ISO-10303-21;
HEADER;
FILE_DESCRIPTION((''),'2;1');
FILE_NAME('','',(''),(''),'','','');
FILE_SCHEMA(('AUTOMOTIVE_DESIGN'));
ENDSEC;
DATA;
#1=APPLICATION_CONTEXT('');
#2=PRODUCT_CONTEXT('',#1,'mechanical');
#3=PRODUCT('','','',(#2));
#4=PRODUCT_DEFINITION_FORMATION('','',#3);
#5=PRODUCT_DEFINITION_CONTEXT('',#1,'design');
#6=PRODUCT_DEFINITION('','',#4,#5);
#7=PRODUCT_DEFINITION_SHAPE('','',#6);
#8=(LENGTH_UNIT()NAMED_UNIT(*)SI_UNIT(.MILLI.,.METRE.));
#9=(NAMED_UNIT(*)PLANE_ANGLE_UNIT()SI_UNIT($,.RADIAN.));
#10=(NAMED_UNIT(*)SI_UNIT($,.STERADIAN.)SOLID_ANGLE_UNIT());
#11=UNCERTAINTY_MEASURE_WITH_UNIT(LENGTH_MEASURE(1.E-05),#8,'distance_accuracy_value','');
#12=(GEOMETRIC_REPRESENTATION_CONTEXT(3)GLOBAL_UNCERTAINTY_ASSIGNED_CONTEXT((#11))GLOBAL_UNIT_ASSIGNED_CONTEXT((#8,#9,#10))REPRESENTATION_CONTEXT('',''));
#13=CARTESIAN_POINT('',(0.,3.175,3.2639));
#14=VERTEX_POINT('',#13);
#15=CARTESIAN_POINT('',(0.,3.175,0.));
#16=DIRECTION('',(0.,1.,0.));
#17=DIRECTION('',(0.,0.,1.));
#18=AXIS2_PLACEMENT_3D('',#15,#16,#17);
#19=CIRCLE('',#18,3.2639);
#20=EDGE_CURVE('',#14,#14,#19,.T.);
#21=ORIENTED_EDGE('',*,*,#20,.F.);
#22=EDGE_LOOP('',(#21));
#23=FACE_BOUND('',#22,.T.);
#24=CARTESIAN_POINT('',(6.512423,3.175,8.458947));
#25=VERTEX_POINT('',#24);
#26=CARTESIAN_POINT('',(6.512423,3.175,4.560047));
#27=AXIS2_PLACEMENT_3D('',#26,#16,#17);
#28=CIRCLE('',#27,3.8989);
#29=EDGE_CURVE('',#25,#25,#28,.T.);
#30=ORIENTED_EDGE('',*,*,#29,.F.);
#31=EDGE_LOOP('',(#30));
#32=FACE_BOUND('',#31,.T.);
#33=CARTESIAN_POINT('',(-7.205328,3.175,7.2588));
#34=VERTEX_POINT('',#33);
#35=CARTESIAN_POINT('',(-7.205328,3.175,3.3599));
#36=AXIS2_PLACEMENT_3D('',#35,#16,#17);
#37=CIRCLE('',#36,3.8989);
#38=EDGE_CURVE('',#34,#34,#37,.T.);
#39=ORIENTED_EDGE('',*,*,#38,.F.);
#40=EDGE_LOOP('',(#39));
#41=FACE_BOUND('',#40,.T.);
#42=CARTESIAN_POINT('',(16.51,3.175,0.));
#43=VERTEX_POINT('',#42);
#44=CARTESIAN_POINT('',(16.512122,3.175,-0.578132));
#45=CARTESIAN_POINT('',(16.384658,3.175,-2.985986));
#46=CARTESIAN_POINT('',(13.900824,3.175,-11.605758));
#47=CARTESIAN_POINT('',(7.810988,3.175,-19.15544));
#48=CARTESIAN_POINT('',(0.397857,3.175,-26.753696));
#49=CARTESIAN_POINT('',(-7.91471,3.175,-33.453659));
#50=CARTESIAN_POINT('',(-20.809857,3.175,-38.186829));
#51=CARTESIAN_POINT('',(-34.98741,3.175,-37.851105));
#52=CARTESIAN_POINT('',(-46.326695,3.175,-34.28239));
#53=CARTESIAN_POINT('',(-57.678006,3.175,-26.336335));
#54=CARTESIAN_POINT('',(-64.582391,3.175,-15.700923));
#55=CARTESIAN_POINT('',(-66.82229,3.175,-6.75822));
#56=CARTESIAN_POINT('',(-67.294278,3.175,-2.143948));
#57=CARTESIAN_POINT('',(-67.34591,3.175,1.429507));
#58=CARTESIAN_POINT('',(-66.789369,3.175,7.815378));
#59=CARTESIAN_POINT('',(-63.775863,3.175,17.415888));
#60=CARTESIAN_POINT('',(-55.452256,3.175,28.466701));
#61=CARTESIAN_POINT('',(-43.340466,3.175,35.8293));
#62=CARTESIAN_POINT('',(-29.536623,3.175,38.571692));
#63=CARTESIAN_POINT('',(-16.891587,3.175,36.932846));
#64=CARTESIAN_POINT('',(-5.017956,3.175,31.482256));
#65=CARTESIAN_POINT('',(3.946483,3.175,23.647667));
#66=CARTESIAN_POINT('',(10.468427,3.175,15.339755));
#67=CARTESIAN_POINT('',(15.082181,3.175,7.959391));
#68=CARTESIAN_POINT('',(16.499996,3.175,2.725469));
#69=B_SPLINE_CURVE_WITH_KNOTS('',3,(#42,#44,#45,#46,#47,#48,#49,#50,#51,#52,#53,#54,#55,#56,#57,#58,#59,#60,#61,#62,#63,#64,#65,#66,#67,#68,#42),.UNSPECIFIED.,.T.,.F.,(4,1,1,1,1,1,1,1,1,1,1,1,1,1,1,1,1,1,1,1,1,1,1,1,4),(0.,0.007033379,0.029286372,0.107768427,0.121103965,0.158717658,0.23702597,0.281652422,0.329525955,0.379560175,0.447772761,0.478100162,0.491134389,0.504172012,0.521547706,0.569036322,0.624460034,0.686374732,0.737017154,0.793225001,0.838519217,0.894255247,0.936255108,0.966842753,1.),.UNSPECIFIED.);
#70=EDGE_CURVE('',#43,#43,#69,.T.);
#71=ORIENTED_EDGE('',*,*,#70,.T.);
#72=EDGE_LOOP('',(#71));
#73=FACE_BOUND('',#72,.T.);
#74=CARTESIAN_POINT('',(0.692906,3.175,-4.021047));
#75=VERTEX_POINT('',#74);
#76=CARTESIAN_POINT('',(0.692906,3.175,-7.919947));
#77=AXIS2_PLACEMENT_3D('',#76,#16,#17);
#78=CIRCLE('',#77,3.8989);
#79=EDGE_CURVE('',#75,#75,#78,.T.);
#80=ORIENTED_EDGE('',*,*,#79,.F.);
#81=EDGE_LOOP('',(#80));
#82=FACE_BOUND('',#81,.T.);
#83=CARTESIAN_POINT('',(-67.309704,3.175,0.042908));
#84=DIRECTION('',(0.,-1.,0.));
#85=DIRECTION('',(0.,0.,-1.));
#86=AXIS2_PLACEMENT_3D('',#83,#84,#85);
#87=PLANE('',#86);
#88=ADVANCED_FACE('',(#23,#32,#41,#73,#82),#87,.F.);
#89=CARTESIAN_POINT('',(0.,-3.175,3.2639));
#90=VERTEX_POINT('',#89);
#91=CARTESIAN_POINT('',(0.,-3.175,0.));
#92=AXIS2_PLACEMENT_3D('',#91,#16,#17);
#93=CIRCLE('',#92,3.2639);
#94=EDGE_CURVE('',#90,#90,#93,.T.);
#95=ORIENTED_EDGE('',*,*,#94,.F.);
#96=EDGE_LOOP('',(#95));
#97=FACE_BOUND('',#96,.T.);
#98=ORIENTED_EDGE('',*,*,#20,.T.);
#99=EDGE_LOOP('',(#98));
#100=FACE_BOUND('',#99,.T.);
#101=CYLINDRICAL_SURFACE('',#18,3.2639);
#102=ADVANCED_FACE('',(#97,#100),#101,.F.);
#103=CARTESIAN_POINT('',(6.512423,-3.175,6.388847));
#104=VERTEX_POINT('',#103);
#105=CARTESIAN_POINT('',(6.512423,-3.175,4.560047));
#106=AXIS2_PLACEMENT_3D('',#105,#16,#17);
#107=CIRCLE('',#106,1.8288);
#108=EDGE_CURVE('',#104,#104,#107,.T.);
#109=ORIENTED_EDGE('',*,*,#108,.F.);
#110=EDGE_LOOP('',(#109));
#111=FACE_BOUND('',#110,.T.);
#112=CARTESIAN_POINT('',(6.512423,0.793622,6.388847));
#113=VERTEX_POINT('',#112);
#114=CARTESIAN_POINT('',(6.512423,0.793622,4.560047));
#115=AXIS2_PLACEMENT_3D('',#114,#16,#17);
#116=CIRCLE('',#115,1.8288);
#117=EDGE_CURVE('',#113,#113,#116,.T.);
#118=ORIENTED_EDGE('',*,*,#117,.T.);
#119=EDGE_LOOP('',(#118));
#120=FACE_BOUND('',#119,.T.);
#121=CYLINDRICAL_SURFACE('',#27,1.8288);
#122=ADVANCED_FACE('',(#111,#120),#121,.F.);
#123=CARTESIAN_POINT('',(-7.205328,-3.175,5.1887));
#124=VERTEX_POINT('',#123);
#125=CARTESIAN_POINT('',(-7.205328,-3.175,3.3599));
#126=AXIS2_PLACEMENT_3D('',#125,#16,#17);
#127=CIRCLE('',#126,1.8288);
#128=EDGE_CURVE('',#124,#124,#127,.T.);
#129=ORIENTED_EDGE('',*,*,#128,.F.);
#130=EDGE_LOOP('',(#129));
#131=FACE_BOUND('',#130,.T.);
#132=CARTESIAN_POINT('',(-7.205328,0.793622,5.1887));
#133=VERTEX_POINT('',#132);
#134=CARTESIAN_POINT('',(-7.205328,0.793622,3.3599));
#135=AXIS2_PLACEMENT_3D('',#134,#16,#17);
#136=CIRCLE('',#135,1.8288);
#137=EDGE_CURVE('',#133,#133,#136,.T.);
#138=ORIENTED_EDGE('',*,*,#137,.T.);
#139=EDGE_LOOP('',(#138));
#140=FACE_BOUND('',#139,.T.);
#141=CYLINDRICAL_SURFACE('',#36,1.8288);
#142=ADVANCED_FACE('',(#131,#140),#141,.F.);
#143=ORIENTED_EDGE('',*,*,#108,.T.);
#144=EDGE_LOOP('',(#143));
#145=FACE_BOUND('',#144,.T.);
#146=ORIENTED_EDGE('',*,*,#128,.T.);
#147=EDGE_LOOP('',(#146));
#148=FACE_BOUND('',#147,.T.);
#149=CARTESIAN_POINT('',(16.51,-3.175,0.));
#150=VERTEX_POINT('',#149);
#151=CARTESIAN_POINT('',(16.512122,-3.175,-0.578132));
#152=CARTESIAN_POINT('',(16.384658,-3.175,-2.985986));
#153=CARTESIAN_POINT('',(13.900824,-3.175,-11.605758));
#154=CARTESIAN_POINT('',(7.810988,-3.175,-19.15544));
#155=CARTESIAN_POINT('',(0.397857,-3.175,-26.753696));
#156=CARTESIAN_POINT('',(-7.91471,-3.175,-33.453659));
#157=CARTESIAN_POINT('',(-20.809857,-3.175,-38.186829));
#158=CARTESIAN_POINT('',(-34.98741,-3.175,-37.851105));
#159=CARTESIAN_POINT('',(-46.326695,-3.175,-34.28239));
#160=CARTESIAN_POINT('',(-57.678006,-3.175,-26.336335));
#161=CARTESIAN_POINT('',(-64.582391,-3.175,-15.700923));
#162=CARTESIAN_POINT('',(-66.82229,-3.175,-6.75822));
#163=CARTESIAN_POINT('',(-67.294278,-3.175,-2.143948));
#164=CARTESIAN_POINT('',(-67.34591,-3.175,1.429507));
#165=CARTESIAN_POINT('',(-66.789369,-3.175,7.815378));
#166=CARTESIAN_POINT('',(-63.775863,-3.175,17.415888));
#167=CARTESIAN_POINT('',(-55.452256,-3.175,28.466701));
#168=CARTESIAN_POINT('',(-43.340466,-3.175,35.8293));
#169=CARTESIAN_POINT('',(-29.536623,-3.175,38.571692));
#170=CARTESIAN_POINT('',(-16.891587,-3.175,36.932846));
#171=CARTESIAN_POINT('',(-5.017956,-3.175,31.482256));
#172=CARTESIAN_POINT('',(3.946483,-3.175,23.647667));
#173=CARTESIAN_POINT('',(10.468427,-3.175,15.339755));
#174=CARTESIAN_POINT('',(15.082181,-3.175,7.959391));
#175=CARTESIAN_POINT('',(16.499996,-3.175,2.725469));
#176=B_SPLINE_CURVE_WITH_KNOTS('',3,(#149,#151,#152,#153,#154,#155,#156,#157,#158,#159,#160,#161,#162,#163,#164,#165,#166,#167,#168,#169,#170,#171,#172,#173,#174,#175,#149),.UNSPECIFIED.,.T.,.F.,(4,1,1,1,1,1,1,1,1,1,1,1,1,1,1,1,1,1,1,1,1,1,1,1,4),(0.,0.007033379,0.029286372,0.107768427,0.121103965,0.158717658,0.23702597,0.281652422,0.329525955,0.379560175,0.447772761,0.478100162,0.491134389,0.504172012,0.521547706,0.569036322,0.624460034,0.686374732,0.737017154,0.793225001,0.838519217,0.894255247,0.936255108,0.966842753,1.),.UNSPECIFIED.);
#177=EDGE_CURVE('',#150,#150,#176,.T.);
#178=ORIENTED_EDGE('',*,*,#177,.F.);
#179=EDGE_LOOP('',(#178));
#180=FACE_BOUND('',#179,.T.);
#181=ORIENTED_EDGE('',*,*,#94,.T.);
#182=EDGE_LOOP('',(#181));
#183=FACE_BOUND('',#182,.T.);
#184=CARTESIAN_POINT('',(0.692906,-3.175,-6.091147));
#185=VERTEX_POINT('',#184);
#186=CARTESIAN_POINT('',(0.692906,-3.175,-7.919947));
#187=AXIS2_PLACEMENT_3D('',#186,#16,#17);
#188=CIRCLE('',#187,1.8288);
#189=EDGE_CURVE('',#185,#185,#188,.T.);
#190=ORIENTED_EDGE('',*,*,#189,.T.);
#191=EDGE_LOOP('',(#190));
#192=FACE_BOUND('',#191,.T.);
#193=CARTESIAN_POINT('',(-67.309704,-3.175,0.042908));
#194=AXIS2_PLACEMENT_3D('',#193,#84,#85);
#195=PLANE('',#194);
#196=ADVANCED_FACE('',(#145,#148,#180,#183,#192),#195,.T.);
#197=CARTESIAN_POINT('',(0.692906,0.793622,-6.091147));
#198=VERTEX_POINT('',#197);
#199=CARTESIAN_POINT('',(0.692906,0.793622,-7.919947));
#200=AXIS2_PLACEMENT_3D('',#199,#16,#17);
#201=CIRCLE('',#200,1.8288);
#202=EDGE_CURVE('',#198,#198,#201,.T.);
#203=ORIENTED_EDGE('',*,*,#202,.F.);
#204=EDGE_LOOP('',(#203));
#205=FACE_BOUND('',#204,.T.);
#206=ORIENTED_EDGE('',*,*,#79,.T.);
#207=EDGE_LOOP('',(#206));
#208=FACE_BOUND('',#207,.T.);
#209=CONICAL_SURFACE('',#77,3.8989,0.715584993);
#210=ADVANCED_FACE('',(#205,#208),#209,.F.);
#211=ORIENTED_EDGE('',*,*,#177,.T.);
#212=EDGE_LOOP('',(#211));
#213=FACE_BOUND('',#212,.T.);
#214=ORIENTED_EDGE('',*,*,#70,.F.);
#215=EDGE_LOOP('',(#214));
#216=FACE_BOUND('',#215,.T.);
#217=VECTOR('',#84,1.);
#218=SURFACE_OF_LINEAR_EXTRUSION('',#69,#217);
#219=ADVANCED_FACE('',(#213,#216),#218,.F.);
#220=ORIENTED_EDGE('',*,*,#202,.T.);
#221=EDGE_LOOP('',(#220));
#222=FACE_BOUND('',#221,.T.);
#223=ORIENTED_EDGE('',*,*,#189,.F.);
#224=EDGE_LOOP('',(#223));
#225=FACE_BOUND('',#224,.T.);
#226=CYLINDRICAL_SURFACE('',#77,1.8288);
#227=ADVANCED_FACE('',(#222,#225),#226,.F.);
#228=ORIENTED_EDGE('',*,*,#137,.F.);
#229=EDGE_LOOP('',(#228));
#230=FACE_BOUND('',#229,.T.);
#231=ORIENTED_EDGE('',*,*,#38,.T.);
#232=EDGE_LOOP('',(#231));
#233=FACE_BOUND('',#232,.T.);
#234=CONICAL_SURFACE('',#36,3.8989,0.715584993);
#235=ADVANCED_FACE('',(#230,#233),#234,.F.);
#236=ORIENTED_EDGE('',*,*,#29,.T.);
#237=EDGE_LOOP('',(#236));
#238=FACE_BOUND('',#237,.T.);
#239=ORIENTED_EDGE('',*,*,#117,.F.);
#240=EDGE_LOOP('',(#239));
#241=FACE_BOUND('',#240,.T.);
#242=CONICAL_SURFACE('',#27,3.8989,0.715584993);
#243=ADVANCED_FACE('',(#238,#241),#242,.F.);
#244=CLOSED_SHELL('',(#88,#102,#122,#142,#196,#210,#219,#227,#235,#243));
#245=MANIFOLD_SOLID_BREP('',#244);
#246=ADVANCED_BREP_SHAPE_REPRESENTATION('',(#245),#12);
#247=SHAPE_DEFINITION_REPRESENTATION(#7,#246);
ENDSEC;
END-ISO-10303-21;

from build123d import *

# Parameters (mm, degrees)
BOSS_EXTRUDE1_DEPTH                               = 3.175
CSK_FOR_6_FLAT_HEAD_SOCKET_CAP_SCREW1_D           = 3.6576
CSK_FOR_6_FLAT_HEAD_SOCKET_CAP_SCREW1_CSINK_D     = 7.7978
CSK_FOR_6_FLAT_HEAD_SOCKET_CAP_SCREW1_CSINK_ANGLE = 82
F_0_257_DIAMETER_HOLE1_D                          = 6.5278


with BuildPart() as part:
    # Sketch4 → Boss-Extrude1 (new body, symmetric)
    with BuildSketch(Plane(origin=(0, 0, 0), x_dir=(1, 0, 0), z_dir=(0, 1, 0))):
        with BuildLine():
            add(Edge.make_bspline(
                [(16.51, 0), (16.512122003, 0.578131647), (16.384658392, 2.985986119), (13.900823918, 11.605758021), (7.810988154, 19.155439574), (0.397856737, 26.753696185), (-7.914709507, 33.453659054), (-20.809856563, 38.186828505), (-34.987409766, 37.85110508), (-46.326695461, 34.282389834), (-57.678006204, 26.336334922), (-64.582391021, 15.700922663), (-66.82228974, 6.758220231), (-67.294278308, 2.143947914), (-67.345909791, -1.429507135), (-66.789369182, -7.815377649), (-63.775863211, -17.415888088), (-55.452256085, -28.466700541), (-43.340466422, -35.829299708), (-29.536622908, -38.571691931), (-16.891586538, -36.932845951), (-5.017956328, -31.482256467), (3.946482544, -23.64766657), (10.468427119, -15.339754563), (15.082180852, -7.959390649), (16.499996307, -2.725468654), (16.51, 0)],
                knots=[0, 0, 0, 0, 0.007033379, 0.029286372, 0.107768427, 0.121103965, 0.158717658, 0.23702597, 0.281652422, 0.329525955, 0.379560175, 0.447772761, 0.478100162, 0.491134389, 0.504172012, 0.521547706, 0.569036322, 0.624460034, 0.686374732, 0.737017154, 0.793225001, 0.838519217, 0.894255247, 0.936255108, 0.966842753, 1, 1, 1, 1], degree=3))
        make_face()
    extrude(amount=BOSS_EXTRUDE1_DEPTH, both=True)

    # CSK for #6 Flat Head Socket Cap Screw1 (through all)
    with Locations(Plane(origin=(0, 3.175, 0), x_dir=(1, 0, 0), z_dir=(0, 1, 0))):
        with Locations((0.692905586, 7.919947089), (6.512422583, -4.560047384), (-7.205328168, -3.359899704)):
            CounterSinkHole(CSK_FOR_6_FLAT_HEAD_SOCKET_CAP_SCREW1_D / 2, CSK_FOR_6_FLAT_HEAD_SOCKET_CAP_SCREW1_CSINK_D / 2, counter_sink_angle=CSK_FOR_6_FLAT_HEAD_SOCKET_CAP_SCREW1_CSINK_ANGLE)

    # F (0.257) Diameter Hole1 (through all)
    with Locations(Plane(origin=(0, 3.175, 0), x_dir=(1, 0, 0), z_dir=(0, 1, 0))):
        with Locations((0, 0)):
            Hole(F_0_257_DIAMETER_HOLE1_D / 2)


solid = part.part
